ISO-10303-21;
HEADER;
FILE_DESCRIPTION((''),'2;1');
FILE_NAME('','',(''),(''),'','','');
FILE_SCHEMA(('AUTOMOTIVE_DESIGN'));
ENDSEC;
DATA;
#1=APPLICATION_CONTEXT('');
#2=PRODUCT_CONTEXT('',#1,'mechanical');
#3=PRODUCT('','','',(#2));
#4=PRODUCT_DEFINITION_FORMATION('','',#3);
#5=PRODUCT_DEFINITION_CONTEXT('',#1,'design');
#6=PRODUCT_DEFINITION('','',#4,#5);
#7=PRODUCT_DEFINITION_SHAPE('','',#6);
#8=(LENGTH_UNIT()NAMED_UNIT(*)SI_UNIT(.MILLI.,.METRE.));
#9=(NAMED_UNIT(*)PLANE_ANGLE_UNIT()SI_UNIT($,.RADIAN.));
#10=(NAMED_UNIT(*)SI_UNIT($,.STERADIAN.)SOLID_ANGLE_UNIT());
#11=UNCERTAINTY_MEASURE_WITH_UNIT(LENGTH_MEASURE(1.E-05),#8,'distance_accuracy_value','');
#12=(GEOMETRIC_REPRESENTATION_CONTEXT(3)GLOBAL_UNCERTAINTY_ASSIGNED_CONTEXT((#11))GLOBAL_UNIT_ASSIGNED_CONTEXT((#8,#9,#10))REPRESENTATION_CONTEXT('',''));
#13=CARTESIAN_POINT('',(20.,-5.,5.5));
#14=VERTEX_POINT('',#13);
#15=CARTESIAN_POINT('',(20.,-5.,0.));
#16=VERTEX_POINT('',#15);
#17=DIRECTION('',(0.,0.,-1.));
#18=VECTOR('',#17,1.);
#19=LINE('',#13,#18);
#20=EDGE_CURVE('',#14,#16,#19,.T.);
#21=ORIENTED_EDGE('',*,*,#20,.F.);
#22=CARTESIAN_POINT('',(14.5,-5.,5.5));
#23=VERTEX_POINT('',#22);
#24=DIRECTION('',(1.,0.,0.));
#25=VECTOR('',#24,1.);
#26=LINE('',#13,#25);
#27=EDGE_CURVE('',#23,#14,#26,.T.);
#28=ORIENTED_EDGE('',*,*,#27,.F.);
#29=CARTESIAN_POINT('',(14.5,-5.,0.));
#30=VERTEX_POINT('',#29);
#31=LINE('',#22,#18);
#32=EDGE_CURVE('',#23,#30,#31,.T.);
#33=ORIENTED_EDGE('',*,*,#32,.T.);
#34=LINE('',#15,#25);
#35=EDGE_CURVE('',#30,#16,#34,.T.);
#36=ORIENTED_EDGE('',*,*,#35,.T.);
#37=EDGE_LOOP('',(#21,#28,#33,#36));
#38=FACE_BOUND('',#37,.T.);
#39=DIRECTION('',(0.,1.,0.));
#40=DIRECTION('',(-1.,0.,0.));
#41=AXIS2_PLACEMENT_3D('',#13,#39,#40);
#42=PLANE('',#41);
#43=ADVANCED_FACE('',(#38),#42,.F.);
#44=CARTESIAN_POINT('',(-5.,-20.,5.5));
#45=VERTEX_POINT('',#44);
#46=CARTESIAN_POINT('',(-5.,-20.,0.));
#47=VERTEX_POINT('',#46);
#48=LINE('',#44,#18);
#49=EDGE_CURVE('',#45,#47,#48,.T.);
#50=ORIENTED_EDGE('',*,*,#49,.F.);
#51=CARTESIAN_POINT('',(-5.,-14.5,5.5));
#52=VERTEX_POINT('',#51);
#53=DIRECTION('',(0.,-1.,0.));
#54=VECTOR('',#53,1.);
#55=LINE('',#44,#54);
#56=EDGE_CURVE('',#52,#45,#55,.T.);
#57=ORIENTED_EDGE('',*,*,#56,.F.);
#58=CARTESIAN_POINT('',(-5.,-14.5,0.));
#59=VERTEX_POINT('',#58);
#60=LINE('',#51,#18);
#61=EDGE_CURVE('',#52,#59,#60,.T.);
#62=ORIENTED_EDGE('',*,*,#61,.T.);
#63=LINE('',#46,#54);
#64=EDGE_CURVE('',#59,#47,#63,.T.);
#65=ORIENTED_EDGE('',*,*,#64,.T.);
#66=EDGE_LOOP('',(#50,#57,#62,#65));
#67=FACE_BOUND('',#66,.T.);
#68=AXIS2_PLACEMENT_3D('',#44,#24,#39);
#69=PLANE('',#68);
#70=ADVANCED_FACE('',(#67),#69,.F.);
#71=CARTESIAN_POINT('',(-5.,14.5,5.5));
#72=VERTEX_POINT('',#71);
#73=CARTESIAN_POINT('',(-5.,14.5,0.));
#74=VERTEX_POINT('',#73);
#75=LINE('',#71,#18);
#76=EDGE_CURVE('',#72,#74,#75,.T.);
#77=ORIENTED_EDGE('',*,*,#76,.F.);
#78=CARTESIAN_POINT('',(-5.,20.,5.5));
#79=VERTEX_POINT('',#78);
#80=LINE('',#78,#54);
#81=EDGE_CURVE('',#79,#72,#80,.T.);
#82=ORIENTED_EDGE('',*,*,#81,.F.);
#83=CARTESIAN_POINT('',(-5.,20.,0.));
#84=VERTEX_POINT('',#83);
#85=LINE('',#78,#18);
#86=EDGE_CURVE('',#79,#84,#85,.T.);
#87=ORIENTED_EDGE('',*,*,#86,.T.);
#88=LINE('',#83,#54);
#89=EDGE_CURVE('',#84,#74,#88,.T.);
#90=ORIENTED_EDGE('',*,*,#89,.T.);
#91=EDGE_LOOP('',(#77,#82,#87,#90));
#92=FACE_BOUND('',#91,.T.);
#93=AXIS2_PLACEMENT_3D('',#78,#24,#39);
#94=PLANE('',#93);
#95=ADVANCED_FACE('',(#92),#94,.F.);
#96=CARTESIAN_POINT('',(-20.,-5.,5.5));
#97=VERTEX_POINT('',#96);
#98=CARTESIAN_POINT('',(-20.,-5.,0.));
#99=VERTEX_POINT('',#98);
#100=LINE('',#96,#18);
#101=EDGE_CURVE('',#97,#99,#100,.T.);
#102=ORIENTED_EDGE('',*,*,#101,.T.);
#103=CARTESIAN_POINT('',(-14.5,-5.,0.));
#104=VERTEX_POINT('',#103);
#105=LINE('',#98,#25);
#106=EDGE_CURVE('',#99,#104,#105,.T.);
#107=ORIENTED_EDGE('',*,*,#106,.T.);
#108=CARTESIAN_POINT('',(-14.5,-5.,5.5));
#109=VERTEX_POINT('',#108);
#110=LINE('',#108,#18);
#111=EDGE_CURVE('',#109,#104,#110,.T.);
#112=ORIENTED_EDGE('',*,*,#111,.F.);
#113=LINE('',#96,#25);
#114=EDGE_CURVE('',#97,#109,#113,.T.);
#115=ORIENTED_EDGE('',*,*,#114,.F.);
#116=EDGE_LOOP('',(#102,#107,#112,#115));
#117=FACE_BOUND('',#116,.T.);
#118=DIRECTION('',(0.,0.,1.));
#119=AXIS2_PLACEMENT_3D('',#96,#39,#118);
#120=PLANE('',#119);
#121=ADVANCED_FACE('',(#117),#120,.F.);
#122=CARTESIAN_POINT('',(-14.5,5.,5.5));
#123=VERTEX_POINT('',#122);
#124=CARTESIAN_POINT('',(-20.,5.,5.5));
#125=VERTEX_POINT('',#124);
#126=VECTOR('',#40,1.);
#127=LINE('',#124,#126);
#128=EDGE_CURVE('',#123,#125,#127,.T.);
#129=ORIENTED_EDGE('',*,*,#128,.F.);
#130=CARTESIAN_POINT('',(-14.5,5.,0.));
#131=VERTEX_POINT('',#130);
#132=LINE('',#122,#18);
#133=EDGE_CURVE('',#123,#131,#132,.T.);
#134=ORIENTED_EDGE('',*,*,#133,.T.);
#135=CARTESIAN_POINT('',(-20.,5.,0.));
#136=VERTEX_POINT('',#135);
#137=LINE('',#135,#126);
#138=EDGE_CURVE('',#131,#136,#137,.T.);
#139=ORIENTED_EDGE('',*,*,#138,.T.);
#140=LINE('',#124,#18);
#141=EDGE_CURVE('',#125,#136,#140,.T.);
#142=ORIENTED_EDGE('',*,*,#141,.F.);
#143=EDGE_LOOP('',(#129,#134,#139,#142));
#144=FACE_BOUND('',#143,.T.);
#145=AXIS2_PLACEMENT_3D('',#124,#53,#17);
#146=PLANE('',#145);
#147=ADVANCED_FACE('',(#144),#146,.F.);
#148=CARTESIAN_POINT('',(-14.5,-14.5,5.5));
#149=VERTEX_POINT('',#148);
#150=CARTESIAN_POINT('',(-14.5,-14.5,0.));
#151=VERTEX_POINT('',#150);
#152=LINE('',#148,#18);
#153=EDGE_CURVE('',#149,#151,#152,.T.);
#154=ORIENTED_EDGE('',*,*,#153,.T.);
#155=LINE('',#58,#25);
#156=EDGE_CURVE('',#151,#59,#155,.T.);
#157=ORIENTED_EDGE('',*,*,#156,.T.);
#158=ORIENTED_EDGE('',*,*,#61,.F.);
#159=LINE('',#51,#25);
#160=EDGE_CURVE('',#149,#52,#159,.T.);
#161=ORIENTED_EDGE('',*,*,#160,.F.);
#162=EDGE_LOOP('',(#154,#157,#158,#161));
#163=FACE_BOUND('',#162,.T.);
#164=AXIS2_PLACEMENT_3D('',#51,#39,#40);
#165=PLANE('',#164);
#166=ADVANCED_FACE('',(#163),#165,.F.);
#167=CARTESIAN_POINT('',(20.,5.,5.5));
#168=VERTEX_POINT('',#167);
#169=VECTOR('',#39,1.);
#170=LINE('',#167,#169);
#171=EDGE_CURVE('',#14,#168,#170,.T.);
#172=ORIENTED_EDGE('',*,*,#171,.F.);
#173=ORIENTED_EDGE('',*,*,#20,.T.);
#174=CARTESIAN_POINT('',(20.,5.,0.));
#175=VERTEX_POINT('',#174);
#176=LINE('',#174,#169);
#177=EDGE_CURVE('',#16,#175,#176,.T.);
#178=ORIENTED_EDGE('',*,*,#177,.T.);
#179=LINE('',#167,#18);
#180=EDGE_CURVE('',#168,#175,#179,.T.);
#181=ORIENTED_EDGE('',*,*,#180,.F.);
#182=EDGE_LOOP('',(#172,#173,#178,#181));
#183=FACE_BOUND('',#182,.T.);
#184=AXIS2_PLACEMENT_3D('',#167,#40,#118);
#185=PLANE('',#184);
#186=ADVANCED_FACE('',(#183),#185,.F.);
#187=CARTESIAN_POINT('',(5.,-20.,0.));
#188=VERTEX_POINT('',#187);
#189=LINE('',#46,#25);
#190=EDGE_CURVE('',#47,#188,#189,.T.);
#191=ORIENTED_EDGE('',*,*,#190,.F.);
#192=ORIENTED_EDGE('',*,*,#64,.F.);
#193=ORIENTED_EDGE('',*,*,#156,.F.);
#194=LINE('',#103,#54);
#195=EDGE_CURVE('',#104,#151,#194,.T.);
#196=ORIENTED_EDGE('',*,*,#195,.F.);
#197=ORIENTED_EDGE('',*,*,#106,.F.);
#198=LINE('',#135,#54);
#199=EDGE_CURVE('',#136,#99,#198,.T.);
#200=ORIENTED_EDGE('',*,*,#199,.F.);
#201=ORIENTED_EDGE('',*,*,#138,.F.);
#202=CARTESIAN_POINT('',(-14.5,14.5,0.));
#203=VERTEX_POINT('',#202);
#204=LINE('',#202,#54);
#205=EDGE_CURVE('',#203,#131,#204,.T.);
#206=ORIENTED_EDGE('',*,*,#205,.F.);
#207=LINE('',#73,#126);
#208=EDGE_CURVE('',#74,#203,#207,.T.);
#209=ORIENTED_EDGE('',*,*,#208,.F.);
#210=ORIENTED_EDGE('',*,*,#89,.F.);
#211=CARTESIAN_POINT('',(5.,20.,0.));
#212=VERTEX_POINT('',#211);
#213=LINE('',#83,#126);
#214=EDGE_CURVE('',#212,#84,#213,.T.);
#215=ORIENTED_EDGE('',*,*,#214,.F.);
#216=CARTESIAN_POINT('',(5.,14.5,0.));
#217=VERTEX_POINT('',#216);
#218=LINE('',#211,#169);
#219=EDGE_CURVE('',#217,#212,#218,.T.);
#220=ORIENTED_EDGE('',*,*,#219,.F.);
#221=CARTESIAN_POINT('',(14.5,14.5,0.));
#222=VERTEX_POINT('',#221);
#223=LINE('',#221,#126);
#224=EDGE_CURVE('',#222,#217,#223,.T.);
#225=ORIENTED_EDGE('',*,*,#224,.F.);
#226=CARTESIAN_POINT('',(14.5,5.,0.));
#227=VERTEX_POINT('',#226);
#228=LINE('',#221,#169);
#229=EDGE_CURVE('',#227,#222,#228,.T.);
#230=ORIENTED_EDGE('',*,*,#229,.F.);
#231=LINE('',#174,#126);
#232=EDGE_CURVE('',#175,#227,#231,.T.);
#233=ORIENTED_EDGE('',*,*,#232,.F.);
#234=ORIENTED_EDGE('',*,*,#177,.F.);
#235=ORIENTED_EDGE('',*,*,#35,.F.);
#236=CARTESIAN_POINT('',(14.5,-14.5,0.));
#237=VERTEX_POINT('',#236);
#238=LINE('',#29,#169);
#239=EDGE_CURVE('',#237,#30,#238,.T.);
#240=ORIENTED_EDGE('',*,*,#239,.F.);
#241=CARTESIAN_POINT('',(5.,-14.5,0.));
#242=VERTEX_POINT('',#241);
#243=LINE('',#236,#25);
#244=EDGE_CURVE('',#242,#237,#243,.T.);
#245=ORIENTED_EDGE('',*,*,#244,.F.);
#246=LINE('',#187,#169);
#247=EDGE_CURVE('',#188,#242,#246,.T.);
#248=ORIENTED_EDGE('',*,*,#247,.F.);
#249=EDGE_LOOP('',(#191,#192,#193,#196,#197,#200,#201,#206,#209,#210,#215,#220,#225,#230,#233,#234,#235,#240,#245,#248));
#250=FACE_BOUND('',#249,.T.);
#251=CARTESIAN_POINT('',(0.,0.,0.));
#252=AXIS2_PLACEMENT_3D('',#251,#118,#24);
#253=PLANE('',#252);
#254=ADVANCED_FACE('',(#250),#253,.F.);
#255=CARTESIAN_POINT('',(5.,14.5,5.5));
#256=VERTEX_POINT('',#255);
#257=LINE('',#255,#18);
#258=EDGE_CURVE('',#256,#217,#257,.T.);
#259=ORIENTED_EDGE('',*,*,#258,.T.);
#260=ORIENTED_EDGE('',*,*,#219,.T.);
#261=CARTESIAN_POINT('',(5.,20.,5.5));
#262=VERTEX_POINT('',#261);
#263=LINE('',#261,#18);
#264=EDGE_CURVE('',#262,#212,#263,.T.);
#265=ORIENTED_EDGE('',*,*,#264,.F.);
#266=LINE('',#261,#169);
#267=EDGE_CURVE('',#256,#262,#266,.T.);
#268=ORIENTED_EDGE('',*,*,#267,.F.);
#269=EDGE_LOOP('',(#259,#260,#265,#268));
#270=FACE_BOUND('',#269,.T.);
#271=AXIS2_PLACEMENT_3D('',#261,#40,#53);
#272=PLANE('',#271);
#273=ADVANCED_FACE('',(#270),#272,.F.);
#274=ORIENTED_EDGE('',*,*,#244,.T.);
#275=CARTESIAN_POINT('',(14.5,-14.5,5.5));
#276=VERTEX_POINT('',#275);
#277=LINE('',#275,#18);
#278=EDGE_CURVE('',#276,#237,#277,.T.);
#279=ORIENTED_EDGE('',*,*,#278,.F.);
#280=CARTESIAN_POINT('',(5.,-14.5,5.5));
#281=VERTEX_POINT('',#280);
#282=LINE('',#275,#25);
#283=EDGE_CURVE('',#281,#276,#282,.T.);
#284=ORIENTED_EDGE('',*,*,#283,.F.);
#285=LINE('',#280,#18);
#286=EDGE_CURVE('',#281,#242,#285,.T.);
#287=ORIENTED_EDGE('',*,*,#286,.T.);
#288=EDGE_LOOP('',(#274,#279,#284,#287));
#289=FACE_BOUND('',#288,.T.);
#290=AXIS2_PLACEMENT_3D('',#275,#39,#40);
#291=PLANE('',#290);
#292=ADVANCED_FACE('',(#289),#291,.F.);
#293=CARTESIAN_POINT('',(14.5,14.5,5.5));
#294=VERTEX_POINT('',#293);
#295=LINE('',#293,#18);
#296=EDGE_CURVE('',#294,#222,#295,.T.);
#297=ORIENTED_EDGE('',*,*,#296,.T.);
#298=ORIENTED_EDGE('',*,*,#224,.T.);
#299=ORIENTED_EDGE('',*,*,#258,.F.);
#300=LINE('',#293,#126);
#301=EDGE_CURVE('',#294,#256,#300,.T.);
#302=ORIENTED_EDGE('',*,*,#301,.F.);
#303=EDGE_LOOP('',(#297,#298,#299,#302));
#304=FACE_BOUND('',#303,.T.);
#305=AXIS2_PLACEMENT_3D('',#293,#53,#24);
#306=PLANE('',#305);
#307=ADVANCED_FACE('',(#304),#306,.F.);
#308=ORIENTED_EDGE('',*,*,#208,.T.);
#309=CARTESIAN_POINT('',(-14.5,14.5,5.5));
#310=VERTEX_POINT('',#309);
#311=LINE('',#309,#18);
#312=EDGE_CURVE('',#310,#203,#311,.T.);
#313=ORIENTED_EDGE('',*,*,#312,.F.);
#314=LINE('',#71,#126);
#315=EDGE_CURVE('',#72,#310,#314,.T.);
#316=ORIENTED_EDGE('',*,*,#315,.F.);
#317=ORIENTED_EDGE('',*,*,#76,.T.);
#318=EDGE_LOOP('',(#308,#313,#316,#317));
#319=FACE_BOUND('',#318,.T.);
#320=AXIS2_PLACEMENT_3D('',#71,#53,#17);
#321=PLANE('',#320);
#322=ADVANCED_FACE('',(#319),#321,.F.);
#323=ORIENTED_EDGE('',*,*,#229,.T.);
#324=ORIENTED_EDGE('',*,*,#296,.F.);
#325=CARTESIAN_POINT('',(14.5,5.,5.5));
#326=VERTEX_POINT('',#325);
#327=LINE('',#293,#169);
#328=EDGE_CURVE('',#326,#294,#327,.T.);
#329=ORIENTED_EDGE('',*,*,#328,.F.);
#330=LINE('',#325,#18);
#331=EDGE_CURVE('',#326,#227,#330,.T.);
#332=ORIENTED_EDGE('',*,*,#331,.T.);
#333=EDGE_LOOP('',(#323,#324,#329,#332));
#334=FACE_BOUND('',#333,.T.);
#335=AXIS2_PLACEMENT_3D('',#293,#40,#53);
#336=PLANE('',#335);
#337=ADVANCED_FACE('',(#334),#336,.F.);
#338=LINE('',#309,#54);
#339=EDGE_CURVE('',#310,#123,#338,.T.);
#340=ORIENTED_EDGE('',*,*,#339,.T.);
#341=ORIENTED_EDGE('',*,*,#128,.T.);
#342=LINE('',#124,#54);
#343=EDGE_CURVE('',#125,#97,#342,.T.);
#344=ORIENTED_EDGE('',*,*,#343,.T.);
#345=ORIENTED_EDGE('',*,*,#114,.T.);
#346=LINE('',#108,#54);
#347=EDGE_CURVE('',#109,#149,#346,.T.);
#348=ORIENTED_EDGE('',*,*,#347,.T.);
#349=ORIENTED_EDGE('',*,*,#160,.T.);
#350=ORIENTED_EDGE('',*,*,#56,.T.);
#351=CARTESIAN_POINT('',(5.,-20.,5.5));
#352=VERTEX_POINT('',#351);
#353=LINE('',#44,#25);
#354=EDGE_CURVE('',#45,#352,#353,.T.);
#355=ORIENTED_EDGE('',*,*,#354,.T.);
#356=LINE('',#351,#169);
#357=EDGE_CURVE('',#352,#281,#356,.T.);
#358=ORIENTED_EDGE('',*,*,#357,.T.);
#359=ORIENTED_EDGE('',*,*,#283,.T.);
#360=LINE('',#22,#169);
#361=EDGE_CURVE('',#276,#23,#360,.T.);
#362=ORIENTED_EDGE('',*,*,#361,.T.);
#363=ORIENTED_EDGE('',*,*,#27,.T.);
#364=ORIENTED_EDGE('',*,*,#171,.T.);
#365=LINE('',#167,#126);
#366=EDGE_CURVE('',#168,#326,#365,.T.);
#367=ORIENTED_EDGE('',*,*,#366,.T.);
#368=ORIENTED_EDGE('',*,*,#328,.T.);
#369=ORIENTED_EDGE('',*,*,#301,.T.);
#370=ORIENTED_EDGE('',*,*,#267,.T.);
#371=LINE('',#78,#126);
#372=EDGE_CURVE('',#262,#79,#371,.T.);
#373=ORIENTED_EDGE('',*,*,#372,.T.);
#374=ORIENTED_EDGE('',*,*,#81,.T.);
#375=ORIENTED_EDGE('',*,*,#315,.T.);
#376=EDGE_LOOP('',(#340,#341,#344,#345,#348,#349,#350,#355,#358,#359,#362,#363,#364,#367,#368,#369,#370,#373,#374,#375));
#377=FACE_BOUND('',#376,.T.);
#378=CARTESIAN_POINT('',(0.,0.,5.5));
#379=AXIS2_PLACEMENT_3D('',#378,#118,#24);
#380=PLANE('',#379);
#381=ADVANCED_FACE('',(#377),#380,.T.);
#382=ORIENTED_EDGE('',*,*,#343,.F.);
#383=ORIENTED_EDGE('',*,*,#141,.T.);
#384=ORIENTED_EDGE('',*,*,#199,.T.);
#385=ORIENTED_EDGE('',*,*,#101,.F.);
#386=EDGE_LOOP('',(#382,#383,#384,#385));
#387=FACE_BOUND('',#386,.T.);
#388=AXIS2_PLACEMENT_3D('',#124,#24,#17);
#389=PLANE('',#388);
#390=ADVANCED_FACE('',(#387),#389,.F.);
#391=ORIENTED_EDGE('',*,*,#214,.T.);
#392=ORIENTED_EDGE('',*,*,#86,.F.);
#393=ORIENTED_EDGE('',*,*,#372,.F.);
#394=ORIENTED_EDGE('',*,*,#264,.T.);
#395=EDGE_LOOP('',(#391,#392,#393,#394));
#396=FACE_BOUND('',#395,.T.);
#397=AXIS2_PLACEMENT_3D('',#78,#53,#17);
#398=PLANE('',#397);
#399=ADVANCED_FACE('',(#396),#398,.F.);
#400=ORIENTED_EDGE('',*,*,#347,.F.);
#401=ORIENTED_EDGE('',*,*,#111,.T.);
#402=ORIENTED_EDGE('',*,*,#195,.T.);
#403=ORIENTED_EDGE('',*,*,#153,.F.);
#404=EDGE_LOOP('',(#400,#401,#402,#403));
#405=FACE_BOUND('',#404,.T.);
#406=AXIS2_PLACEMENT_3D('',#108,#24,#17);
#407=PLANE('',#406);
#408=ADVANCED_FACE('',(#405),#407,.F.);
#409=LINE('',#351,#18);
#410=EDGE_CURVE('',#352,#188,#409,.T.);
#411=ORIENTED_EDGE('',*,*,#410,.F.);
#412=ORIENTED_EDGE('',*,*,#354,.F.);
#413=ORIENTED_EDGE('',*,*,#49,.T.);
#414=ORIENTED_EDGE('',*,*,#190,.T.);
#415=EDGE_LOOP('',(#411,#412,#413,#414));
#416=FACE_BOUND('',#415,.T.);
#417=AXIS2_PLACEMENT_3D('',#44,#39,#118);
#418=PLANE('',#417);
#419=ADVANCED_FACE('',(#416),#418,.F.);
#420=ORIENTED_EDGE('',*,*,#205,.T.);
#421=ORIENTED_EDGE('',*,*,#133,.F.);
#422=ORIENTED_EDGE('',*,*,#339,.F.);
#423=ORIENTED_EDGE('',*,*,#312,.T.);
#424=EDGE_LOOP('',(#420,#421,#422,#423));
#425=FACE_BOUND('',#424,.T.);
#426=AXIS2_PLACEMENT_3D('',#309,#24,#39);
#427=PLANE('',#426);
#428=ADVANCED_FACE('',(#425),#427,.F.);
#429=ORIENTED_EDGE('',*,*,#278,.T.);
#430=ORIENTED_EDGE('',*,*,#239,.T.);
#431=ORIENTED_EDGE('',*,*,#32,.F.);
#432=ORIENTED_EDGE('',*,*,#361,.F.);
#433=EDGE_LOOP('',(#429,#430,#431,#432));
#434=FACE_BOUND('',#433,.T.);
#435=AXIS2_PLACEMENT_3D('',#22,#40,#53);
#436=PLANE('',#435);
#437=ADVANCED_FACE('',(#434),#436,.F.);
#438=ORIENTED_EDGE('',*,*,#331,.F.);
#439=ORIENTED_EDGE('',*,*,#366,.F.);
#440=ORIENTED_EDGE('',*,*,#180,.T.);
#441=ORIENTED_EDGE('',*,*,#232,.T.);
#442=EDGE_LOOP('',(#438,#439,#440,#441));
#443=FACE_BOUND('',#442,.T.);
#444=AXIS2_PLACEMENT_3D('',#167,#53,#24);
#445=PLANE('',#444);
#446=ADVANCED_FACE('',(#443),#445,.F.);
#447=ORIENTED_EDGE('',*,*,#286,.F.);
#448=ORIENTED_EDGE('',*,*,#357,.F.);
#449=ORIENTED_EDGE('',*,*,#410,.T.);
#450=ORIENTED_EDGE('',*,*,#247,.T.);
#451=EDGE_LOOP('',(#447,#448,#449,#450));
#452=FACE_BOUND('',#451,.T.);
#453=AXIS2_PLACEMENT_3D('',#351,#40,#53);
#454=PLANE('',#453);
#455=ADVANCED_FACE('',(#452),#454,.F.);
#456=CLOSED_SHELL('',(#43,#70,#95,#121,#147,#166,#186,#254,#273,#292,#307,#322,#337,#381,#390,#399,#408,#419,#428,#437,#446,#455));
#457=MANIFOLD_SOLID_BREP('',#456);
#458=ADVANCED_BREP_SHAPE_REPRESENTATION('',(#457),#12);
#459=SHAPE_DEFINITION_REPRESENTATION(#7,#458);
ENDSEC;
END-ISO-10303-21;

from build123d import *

# Parameters (mm, degrees)
EXTRUDE_1_DEPTH = 5.5


with BuildPart() as part:
    # ｽｹｯﾁ1 → ﾎﾞｽ - 押し出し1 (new body)
    with BuildSketch(Plane.XY):
        Polygon((-5, 14.5), (-14.5, 14.5), (-14.5, 5), (-20, 5), (-20, -5), (-14.5, -5), (-14.5, -14.5), (-5, -14.5), (-5, -20), (5, -20), (5, -14.5), (14.5, -14.5), (14.5, -5), (20, -5), (20, 5), (14.5, 5), (14.5, 14.5), (5, 14.5), (5, 20), (-5, 20), align=None)
    extrude(amount=EXTRUDE_1_DEPTH)


solid = part.part
